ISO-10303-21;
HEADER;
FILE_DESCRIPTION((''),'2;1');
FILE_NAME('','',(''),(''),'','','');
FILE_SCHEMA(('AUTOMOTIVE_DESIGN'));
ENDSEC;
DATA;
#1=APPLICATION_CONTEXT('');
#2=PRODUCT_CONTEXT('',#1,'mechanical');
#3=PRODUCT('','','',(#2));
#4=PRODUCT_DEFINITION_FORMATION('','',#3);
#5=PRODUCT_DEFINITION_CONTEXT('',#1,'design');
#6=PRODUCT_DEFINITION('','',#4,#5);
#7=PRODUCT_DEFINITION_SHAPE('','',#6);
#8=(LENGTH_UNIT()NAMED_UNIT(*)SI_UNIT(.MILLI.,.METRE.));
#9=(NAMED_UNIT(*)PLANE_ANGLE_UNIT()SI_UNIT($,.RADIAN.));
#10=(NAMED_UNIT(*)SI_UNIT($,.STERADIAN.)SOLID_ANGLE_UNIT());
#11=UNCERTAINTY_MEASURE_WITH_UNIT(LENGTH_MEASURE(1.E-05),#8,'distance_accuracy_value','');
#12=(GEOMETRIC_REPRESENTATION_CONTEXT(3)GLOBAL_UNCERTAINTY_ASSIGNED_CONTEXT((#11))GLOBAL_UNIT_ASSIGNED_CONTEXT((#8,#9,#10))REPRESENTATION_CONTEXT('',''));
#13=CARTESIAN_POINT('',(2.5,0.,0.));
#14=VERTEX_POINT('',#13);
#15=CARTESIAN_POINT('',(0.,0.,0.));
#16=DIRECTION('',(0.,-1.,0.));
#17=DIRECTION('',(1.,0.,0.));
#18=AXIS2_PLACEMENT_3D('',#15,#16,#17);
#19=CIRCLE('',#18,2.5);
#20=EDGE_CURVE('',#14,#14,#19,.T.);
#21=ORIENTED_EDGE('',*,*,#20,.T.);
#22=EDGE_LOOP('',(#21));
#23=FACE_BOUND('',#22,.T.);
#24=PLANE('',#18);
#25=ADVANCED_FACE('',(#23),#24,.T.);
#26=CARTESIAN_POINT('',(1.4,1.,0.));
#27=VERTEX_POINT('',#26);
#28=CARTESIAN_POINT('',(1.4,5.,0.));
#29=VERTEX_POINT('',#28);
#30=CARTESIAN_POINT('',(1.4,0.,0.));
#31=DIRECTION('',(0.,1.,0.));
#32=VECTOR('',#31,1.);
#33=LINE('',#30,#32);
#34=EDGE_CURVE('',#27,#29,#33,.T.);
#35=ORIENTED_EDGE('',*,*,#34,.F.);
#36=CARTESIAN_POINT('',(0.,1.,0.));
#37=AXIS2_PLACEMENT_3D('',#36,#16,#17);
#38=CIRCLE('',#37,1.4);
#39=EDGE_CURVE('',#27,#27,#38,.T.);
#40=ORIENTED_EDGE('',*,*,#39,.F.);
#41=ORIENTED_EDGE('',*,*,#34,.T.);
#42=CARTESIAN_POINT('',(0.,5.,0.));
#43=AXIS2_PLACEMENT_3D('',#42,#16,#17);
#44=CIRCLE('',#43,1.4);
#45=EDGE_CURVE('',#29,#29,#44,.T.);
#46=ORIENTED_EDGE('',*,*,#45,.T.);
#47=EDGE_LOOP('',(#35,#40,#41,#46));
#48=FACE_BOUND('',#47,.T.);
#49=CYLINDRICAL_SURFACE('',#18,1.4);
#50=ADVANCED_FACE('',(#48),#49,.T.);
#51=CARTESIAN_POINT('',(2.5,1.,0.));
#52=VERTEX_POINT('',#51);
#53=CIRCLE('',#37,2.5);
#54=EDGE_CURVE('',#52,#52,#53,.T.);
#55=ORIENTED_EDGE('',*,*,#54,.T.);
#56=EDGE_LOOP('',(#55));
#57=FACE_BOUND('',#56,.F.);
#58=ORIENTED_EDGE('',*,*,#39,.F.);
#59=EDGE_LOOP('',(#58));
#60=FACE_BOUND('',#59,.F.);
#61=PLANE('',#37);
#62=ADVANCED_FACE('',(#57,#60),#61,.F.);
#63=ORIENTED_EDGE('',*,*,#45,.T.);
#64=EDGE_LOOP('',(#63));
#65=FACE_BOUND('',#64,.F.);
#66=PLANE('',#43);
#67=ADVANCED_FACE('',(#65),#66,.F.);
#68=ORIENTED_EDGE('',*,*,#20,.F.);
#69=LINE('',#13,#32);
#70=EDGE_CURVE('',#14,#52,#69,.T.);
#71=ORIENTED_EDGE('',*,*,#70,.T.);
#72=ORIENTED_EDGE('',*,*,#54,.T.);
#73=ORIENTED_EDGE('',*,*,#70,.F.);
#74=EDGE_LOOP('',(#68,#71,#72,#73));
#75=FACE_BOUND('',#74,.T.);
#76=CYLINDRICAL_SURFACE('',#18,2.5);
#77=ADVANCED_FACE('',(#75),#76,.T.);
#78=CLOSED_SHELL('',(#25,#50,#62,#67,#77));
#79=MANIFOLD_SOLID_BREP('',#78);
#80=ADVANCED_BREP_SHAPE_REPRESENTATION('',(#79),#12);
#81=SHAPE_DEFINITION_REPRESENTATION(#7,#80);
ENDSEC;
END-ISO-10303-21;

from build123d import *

# Parameters (mm, degrees)
F0_R     = 2.5
F0_R_2   = 1.4
F1_DEPTH = 1
F2_DEPTH = 5


with BuildPart() as f1:
    # F0 (on Front) → F1 (new body)
    with BuildSketch(Plane.XZ):
        Circle(F0_R)
        Circle(F0_R_2, mode=Mode.SUBTRACT)
        Circle(F0_R_2)
    extrude(amount=-F1_DEPTH)

    # F0 (on Front) → F2 (join)
    with BuildSketch(Plane.XZ):
        Circle(F0_R_2)
    extrude(amount=-F2_DEPTH)


solid = f1.part
